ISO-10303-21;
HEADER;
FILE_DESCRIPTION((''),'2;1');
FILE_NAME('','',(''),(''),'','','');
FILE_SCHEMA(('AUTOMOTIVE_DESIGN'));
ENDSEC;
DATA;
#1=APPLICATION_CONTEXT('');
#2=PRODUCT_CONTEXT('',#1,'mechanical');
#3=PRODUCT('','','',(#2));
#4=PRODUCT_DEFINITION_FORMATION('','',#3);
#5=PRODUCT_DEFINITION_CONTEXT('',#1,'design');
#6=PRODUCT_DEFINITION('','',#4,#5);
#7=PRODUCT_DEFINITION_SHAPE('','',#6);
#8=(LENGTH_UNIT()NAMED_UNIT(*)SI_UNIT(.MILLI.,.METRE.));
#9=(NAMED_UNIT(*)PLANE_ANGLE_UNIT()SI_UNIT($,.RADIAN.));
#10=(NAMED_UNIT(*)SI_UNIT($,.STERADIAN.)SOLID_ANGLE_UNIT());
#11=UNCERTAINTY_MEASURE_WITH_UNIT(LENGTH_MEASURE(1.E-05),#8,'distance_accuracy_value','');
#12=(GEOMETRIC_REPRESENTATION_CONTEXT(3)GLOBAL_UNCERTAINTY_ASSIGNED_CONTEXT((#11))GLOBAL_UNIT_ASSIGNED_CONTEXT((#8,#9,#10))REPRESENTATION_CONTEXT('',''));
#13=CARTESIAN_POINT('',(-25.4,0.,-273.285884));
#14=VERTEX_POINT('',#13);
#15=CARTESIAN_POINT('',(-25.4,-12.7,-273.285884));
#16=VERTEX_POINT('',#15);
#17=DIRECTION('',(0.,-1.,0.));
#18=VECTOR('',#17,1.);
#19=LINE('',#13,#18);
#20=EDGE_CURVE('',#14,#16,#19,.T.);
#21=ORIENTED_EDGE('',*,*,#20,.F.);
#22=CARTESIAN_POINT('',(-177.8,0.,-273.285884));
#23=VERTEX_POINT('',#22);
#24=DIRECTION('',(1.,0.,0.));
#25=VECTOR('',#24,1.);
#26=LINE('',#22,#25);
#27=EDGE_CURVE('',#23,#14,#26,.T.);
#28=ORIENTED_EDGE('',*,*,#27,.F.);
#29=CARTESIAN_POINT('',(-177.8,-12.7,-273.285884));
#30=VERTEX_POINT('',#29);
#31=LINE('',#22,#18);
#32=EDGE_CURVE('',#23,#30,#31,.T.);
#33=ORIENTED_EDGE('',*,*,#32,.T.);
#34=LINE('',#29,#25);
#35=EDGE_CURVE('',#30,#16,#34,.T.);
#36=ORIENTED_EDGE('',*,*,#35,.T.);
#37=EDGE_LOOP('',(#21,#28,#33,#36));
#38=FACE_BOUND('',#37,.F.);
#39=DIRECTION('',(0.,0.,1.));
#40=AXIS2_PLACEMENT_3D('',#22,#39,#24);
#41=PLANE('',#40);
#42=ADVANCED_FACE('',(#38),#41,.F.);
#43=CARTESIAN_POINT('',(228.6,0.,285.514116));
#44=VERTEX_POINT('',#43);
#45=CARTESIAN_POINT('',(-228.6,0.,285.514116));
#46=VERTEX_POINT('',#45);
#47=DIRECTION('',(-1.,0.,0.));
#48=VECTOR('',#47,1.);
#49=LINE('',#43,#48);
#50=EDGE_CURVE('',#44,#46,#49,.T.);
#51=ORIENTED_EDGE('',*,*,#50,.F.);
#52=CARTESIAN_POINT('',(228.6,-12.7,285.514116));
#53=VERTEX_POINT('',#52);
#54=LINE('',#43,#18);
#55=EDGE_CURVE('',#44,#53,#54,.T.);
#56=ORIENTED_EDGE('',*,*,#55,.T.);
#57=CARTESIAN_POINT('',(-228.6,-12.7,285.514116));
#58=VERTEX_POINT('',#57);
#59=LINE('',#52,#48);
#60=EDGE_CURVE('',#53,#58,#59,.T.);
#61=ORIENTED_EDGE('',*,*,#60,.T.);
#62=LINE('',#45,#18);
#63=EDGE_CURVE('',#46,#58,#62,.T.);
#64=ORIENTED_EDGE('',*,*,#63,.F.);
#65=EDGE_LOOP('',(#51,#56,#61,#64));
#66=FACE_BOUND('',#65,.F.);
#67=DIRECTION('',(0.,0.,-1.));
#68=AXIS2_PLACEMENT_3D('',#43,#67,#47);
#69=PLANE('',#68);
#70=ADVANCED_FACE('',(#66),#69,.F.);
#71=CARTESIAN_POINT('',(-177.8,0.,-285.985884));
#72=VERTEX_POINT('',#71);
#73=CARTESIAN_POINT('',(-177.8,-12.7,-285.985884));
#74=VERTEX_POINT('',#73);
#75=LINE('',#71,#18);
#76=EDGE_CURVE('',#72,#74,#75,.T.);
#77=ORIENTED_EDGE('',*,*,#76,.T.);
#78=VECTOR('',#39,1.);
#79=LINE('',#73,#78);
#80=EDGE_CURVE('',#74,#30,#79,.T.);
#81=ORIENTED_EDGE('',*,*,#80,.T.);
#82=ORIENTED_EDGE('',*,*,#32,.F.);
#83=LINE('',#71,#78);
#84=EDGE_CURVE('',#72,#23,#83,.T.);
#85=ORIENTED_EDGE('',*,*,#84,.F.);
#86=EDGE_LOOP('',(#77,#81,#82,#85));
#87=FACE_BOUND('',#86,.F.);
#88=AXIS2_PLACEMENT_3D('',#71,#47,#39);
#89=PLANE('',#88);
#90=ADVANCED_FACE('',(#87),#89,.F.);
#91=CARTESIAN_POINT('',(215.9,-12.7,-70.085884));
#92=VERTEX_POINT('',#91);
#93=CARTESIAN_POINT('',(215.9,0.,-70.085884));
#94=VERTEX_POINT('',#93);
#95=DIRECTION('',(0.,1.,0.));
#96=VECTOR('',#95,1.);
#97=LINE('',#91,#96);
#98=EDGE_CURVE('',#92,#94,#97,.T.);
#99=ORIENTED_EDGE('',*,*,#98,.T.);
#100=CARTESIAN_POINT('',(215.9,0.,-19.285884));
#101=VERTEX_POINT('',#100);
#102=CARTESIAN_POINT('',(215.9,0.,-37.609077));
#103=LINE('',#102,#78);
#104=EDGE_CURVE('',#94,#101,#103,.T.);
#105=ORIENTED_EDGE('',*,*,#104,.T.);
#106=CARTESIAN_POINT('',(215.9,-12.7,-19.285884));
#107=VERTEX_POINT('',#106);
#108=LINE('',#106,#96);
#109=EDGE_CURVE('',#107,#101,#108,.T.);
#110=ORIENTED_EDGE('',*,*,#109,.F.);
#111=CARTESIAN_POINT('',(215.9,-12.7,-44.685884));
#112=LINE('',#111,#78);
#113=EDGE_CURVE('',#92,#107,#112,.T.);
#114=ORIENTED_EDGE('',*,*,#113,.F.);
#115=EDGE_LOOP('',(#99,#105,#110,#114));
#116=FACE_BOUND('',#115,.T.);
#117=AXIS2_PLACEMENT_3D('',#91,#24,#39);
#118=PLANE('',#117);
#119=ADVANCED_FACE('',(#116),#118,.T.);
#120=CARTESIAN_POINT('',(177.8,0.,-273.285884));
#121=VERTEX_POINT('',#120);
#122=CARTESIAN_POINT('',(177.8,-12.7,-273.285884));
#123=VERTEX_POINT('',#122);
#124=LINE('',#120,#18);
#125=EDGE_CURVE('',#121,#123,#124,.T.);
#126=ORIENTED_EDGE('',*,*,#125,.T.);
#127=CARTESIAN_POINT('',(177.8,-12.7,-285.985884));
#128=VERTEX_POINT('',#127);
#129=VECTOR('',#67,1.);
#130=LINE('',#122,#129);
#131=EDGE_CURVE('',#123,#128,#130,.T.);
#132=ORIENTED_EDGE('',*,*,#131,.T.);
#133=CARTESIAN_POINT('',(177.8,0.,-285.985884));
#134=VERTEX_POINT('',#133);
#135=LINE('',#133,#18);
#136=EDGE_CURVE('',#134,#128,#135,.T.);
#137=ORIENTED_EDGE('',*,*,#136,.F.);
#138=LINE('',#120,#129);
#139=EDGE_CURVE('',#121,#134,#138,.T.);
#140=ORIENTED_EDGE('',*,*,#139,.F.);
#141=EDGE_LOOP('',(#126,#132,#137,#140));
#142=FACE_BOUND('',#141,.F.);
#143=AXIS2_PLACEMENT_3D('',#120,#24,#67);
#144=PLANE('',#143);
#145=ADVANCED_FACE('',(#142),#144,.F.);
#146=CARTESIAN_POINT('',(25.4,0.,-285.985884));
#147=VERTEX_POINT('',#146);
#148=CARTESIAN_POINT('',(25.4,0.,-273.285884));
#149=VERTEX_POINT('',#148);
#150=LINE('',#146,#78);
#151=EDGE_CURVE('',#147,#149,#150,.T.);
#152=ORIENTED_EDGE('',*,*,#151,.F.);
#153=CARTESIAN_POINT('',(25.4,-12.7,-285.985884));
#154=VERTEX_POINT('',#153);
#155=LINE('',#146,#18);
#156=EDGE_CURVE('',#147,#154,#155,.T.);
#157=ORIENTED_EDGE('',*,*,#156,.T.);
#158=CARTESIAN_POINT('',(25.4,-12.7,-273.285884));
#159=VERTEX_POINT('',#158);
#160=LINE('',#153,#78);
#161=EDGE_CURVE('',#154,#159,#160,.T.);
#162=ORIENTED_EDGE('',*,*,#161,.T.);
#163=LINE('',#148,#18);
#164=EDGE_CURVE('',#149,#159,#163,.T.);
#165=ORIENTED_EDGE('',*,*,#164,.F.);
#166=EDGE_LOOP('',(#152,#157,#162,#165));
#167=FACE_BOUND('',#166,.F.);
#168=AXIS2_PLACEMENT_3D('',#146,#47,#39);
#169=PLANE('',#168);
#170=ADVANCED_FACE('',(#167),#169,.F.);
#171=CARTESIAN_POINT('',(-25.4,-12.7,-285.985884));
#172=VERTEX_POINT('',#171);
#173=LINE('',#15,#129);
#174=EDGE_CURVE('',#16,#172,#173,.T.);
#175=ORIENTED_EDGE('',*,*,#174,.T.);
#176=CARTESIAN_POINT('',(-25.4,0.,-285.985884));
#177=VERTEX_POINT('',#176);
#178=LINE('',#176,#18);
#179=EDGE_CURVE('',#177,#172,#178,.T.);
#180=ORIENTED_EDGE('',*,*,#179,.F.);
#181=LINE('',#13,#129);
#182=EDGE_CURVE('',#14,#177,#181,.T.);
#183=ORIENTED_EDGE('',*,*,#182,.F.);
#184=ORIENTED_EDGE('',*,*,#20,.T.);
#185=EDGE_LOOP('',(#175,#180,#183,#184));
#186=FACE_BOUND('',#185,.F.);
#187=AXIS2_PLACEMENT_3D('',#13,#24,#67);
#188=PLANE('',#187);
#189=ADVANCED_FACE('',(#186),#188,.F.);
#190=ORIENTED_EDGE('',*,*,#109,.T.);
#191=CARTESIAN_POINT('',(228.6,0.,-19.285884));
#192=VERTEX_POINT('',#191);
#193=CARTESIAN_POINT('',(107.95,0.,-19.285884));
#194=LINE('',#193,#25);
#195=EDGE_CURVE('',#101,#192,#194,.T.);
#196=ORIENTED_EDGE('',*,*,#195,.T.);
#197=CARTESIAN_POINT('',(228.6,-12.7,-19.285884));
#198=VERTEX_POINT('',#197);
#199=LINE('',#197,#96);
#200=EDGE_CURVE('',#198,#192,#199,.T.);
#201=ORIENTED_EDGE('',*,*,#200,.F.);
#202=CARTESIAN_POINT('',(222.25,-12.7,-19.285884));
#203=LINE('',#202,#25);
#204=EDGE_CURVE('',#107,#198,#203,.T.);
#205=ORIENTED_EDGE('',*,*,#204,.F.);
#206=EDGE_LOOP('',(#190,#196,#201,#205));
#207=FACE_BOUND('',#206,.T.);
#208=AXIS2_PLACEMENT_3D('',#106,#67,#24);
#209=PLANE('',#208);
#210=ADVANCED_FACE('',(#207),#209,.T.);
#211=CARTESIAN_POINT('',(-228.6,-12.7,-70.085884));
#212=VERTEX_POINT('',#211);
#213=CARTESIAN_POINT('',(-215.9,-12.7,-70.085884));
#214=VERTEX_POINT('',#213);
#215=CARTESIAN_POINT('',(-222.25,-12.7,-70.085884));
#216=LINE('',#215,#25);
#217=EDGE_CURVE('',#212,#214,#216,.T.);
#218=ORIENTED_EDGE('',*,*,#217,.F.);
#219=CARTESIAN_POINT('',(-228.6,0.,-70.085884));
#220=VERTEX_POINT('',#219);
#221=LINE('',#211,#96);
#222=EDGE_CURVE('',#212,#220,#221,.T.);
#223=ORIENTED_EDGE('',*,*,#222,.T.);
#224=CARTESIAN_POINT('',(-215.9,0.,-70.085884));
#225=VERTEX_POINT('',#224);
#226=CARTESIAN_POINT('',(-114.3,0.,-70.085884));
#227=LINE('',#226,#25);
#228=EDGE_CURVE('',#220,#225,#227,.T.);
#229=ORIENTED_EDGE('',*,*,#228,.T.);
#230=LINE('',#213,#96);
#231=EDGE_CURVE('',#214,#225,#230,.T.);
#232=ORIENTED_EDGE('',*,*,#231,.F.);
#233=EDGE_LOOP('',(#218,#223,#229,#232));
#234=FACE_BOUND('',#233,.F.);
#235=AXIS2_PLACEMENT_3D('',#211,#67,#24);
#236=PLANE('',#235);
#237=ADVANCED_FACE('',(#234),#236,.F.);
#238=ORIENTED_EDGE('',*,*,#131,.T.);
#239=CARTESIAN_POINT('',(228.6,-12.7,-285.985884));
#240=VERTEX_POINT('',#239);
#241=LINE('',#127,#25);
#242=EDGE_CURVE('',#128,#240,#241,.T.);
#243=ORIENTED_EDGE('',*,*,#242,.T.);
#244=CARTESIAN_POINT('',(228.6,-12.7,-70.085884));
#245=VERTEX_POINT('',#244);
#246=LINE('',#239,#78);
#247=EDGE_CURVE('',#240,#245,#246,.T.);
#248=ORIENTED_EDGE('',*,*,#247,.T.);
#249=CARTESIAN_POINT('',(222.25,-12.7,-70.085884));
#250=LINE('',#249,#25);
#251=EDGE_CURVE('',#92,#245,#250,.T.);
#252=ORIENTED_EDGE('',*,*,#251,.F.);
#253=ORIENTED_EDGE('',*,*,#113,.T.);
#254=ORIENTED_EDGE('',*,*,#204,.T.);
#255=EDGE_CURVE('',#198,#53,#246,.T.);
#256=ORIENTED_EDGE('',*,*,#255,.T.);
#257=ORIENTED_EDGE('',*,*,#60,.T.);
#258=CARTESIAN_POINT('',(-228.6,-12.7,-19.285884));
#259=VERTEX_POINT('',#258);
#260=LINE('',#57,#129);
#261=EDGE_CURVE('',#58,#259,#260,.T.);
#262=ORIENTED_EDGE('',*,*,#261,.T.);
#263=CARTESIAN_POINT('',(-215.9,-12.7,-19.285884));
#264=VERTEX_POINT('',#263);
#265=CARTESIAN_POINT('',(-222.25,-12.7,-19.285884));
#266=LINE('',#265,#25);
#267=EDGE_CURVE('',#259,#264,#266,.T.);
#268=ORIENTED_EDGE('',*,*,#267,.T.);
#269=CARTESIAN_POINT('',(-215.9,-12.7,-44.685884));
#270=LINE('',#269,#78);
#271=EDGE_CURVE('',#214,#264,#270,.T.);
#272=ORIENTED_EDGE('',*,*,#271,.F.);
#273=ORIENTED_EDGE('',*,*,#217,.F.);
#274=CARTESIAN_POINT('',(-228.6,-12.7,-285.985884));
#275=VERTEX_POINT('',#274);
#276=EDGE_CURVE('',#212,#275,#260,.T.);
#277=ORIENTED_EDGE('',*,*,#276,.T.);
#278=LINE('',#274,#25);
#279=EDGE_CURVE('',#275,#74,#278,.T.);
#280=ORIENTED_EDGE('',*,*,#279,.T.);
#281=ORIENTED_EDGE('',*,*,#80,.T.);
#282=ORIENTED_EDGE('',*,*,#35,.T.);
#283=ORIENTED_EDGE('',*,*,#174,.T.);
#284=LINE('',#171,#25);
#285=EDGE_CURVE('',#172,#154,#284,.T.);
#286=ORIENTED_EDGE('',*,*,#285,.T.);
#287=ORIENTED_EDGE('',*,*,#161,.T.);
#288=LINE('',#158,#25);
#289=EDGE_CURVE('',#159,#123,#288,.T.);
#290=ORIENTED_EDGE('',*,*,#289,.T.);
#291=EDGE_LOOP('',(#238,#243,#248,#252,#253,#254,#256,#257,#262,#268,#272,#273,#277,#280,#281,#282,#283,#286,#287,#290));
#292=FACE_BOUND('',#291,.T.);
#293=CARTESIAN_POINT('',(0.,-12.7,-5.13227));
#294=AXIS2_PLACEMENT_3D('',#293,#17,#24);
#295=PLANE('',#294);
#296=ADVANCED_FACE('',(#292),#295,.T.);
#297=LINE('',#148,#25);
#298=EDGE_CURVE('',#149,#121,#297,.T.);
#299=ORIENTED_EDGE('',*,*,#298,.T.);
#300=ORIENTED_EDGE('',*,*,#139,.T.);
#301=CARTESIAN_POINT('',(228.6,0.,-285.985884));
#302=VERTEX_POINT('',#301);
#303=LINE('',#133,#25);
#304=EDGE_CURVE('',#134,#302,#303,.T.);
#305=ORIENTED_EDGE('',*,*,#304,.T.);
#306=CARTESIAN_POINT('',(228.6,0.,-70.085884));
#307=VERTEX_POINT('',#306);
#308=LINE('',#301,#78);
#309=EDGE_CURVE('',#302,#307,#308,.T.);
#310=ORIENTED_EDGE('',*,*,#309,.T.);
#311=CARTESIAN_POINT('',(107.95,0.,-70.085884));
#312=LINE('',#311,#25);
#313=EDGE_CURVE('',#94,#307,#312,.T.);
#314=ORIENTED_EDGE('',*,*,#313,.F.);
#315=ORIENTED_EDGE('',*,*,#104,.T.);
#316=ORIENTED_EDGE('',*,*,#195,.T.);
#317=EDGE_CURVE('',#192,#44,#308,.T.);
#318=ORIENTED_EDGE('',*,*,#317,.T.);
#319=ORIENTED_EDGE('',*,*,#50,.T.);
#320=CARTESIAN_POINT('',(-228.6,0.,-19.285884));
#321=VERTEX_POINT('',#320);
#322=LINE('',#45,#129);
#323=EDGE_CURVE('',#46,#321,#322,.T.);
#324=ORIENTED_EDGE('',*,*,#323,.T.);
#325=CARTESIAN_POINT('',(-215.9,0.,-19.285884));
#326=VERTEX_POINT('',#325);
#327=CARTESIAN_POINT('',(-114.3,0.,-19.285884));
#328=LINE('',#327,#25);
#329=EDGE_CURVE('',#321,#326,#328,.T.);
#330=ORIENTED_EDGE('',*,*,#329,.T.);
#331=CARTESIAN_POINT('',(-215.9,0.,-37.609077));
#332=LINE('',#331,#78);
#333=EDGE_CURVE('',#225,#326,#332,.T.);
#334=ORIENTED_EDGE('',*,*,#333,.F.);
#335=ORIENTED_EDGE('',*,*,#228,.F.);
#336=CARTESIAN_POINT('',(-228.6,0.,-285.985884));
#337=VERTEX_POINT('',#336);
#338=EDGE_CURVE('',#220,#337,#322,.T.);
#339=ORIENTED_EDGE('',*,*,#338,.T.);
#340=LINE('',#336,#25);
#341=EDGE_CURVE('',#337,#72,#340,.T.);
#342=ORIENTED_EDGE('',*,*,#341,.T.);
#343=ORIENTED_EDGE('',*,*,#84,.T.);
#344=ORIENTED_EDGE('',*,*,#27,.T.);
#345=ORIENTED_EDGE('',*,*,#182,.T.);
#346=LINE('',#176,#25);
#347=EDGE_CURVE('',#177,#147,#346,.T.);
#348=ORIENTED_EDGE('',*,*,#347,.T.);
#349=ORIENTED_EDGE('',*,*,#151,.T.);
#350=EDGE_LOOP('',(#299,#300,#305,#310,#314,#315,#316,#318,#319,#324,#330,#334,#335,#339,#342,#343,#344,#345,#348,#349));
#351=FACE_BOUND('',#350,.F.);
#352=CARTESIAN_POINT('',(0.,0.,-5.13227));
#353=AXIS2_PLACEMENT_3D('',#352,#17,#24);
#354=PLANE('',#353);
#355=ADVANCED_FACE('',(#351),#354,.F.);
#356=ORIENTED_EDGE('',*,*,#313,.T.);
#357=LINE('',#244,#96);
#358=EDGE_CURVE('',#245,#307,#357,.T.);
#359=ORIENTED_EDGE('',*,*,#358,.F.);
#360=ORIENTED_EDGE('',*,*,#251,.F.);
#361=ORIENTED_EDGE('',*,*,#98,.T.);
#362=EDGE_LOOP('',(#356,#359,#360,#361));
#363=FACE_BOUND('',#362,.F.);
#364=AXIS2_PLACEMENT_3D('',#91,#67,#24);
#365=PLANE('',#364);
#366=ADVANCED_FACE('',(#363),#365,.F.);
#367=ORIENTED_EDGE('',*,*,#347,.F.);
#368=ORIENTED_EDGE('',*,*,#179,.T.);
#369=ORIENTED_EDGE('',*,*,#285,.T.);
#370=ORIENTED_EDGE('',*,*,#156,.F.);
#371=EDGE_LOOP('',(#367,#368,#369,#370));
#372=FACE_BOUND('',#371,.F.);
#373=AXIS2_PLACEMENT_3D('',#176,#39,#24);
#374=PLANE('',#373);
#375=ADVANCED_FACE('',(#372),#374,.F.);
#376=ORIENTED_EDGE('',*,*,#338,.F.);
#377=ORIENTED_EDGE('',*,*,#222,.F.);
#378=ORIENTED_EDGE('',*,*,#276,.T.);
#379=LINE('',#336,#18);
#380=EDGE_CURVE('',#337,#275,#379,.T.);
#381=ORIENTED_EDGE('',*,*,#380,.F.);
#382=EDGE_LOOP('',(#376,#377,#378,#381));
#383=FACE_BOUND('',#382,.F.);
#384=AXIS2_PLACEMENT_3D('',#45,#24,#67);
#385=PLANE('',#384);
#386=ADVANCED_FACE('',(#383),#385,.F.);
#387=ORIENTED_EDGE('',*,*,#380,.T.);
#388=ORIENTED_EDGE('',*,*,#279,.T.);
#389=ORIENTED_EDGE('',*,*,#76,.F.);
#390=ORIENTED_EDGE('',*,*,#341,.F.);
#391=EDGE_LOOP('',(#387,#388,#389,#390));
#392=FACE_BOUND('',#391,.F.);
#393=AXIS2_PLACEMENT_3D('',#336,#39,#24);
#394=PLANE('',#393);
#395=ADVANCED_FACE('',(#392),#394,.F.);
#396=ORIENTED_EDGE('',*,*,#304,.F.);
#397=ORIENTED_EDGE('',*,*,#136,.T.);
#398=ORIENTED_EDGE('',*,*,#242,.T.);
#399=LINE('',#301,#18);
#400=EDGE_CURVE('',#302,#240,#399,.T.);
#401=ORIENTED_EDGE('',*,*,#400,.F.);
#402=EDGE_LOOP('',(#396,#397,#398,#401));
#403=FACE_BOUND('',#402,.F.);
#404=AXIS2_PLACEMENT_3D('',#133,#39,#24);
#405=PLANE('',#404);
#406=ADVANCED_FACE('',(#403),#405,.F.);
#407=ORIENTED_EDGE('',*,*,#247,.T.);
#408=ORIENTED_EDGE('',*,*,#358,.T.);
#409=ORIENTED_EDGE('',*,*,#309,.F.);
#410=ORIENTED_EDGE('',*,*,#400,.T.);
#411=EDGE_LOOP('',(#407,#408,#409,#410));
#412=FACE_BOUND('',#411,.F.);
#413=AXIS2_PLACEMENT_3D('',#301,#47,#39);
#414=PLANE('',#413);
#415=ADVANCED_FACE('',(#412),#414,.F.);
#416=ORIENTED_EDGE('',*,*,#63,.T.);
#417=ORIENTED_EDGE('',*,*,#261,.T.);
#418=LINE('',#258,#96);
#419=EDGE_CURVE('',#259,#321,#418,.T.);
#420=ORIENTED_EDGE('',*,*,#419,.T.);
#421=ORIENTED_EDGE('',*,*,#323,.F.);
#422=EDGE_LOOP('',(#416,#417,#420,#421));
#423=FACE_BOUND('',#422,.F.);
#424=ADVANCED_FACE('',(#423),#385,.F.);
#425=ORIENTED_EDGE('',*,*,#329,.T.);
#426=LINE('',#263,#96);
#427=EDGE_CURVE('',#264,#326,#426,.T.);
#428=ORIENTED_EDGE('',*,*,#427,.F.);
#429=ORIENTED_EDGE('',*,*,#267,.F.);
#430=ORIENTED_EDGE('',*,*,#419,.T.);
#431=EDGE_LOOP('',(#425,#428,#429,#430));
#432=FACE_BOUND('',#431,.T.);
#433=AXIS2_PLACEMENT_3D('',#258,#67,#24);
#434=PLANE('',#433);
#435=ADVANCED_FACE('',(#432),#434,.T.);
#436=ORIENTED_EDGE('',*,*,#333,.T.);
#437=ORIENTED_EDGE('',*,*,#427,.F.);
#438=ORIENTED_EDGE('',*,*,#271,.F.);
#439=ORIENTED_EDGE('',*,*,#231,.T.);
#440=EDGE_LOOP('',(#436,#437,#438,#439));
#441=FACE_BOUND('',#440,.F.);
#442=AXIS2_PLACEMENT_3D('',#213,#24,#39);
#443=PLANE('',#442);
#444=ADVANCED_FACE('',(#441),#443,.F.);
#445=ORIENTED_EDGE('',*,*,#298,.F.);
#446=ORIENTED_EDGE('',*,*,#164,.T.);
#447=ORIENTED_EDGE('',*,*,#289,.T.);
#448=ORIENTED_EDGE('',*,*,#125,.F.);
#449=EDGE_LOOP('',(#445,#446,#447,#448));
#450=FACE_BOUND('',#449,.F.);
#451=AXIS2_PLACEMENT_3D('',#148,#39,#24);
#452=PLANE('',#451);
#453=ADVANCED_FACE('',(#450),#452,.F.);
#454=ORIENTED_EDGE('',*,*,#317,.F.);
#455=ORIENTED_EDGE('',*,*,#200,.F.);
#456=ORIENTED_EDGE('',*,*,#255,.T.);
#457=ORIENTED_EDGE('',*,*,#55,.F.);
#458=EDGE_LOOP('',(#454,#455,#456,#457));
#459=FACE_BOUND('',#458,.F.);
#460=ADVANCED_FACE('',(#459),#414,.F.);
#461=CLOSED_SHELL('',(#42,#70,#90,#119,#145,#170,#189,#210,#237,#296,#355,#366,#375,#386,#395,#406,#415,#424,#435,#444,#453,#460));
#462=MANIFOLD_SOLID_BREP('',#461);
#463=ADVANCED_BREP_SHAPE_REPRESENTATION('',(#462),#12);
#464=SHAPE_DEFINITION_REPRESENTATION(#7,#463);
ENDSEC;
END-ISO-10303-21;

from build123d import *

# Parameters (mm, degrees)
F1_DEPTH = 12.7
F2_W     = 12.7
F2_H     = 50.8
F3_DEPTH = 25.4


with BuildPart() as f1:
    # F0 (on Front) → F1 (new body)
    with BuildSketch(Plane.XZ):
        Polygon((25.4, -273.285884), (177.8, -273.285884), (177.8, -285.985884), (228.6, -285.985884), (228.6, -273.285884), (228.6, 285.514116), (-228.6, 285.514116), (-228.6, -273.285884), (-228.6, -285.985884), (-177.8, -285.985884), (-177.8, -273.285884), (-25.4, -273.285884), (-25.4, -285.985884), (25.4, -285.985884), align=None)
    extrude(amount=F1_DEPTH)

    # F2 (on face) → F3 (cut)
    with BuildSketch(Plane.XZ.offset(12.7)):
        with Locations((-222.25, -44.685884)):
            Rectangle(F2_W, F2_H)
        with Locations((222.25, -44.685884)):
            Rectangle(F2_W, F2_H)
    extrude(amount=-F3_DEPTH, mode=Mode.SUBTRACT)


solid = f1.part
